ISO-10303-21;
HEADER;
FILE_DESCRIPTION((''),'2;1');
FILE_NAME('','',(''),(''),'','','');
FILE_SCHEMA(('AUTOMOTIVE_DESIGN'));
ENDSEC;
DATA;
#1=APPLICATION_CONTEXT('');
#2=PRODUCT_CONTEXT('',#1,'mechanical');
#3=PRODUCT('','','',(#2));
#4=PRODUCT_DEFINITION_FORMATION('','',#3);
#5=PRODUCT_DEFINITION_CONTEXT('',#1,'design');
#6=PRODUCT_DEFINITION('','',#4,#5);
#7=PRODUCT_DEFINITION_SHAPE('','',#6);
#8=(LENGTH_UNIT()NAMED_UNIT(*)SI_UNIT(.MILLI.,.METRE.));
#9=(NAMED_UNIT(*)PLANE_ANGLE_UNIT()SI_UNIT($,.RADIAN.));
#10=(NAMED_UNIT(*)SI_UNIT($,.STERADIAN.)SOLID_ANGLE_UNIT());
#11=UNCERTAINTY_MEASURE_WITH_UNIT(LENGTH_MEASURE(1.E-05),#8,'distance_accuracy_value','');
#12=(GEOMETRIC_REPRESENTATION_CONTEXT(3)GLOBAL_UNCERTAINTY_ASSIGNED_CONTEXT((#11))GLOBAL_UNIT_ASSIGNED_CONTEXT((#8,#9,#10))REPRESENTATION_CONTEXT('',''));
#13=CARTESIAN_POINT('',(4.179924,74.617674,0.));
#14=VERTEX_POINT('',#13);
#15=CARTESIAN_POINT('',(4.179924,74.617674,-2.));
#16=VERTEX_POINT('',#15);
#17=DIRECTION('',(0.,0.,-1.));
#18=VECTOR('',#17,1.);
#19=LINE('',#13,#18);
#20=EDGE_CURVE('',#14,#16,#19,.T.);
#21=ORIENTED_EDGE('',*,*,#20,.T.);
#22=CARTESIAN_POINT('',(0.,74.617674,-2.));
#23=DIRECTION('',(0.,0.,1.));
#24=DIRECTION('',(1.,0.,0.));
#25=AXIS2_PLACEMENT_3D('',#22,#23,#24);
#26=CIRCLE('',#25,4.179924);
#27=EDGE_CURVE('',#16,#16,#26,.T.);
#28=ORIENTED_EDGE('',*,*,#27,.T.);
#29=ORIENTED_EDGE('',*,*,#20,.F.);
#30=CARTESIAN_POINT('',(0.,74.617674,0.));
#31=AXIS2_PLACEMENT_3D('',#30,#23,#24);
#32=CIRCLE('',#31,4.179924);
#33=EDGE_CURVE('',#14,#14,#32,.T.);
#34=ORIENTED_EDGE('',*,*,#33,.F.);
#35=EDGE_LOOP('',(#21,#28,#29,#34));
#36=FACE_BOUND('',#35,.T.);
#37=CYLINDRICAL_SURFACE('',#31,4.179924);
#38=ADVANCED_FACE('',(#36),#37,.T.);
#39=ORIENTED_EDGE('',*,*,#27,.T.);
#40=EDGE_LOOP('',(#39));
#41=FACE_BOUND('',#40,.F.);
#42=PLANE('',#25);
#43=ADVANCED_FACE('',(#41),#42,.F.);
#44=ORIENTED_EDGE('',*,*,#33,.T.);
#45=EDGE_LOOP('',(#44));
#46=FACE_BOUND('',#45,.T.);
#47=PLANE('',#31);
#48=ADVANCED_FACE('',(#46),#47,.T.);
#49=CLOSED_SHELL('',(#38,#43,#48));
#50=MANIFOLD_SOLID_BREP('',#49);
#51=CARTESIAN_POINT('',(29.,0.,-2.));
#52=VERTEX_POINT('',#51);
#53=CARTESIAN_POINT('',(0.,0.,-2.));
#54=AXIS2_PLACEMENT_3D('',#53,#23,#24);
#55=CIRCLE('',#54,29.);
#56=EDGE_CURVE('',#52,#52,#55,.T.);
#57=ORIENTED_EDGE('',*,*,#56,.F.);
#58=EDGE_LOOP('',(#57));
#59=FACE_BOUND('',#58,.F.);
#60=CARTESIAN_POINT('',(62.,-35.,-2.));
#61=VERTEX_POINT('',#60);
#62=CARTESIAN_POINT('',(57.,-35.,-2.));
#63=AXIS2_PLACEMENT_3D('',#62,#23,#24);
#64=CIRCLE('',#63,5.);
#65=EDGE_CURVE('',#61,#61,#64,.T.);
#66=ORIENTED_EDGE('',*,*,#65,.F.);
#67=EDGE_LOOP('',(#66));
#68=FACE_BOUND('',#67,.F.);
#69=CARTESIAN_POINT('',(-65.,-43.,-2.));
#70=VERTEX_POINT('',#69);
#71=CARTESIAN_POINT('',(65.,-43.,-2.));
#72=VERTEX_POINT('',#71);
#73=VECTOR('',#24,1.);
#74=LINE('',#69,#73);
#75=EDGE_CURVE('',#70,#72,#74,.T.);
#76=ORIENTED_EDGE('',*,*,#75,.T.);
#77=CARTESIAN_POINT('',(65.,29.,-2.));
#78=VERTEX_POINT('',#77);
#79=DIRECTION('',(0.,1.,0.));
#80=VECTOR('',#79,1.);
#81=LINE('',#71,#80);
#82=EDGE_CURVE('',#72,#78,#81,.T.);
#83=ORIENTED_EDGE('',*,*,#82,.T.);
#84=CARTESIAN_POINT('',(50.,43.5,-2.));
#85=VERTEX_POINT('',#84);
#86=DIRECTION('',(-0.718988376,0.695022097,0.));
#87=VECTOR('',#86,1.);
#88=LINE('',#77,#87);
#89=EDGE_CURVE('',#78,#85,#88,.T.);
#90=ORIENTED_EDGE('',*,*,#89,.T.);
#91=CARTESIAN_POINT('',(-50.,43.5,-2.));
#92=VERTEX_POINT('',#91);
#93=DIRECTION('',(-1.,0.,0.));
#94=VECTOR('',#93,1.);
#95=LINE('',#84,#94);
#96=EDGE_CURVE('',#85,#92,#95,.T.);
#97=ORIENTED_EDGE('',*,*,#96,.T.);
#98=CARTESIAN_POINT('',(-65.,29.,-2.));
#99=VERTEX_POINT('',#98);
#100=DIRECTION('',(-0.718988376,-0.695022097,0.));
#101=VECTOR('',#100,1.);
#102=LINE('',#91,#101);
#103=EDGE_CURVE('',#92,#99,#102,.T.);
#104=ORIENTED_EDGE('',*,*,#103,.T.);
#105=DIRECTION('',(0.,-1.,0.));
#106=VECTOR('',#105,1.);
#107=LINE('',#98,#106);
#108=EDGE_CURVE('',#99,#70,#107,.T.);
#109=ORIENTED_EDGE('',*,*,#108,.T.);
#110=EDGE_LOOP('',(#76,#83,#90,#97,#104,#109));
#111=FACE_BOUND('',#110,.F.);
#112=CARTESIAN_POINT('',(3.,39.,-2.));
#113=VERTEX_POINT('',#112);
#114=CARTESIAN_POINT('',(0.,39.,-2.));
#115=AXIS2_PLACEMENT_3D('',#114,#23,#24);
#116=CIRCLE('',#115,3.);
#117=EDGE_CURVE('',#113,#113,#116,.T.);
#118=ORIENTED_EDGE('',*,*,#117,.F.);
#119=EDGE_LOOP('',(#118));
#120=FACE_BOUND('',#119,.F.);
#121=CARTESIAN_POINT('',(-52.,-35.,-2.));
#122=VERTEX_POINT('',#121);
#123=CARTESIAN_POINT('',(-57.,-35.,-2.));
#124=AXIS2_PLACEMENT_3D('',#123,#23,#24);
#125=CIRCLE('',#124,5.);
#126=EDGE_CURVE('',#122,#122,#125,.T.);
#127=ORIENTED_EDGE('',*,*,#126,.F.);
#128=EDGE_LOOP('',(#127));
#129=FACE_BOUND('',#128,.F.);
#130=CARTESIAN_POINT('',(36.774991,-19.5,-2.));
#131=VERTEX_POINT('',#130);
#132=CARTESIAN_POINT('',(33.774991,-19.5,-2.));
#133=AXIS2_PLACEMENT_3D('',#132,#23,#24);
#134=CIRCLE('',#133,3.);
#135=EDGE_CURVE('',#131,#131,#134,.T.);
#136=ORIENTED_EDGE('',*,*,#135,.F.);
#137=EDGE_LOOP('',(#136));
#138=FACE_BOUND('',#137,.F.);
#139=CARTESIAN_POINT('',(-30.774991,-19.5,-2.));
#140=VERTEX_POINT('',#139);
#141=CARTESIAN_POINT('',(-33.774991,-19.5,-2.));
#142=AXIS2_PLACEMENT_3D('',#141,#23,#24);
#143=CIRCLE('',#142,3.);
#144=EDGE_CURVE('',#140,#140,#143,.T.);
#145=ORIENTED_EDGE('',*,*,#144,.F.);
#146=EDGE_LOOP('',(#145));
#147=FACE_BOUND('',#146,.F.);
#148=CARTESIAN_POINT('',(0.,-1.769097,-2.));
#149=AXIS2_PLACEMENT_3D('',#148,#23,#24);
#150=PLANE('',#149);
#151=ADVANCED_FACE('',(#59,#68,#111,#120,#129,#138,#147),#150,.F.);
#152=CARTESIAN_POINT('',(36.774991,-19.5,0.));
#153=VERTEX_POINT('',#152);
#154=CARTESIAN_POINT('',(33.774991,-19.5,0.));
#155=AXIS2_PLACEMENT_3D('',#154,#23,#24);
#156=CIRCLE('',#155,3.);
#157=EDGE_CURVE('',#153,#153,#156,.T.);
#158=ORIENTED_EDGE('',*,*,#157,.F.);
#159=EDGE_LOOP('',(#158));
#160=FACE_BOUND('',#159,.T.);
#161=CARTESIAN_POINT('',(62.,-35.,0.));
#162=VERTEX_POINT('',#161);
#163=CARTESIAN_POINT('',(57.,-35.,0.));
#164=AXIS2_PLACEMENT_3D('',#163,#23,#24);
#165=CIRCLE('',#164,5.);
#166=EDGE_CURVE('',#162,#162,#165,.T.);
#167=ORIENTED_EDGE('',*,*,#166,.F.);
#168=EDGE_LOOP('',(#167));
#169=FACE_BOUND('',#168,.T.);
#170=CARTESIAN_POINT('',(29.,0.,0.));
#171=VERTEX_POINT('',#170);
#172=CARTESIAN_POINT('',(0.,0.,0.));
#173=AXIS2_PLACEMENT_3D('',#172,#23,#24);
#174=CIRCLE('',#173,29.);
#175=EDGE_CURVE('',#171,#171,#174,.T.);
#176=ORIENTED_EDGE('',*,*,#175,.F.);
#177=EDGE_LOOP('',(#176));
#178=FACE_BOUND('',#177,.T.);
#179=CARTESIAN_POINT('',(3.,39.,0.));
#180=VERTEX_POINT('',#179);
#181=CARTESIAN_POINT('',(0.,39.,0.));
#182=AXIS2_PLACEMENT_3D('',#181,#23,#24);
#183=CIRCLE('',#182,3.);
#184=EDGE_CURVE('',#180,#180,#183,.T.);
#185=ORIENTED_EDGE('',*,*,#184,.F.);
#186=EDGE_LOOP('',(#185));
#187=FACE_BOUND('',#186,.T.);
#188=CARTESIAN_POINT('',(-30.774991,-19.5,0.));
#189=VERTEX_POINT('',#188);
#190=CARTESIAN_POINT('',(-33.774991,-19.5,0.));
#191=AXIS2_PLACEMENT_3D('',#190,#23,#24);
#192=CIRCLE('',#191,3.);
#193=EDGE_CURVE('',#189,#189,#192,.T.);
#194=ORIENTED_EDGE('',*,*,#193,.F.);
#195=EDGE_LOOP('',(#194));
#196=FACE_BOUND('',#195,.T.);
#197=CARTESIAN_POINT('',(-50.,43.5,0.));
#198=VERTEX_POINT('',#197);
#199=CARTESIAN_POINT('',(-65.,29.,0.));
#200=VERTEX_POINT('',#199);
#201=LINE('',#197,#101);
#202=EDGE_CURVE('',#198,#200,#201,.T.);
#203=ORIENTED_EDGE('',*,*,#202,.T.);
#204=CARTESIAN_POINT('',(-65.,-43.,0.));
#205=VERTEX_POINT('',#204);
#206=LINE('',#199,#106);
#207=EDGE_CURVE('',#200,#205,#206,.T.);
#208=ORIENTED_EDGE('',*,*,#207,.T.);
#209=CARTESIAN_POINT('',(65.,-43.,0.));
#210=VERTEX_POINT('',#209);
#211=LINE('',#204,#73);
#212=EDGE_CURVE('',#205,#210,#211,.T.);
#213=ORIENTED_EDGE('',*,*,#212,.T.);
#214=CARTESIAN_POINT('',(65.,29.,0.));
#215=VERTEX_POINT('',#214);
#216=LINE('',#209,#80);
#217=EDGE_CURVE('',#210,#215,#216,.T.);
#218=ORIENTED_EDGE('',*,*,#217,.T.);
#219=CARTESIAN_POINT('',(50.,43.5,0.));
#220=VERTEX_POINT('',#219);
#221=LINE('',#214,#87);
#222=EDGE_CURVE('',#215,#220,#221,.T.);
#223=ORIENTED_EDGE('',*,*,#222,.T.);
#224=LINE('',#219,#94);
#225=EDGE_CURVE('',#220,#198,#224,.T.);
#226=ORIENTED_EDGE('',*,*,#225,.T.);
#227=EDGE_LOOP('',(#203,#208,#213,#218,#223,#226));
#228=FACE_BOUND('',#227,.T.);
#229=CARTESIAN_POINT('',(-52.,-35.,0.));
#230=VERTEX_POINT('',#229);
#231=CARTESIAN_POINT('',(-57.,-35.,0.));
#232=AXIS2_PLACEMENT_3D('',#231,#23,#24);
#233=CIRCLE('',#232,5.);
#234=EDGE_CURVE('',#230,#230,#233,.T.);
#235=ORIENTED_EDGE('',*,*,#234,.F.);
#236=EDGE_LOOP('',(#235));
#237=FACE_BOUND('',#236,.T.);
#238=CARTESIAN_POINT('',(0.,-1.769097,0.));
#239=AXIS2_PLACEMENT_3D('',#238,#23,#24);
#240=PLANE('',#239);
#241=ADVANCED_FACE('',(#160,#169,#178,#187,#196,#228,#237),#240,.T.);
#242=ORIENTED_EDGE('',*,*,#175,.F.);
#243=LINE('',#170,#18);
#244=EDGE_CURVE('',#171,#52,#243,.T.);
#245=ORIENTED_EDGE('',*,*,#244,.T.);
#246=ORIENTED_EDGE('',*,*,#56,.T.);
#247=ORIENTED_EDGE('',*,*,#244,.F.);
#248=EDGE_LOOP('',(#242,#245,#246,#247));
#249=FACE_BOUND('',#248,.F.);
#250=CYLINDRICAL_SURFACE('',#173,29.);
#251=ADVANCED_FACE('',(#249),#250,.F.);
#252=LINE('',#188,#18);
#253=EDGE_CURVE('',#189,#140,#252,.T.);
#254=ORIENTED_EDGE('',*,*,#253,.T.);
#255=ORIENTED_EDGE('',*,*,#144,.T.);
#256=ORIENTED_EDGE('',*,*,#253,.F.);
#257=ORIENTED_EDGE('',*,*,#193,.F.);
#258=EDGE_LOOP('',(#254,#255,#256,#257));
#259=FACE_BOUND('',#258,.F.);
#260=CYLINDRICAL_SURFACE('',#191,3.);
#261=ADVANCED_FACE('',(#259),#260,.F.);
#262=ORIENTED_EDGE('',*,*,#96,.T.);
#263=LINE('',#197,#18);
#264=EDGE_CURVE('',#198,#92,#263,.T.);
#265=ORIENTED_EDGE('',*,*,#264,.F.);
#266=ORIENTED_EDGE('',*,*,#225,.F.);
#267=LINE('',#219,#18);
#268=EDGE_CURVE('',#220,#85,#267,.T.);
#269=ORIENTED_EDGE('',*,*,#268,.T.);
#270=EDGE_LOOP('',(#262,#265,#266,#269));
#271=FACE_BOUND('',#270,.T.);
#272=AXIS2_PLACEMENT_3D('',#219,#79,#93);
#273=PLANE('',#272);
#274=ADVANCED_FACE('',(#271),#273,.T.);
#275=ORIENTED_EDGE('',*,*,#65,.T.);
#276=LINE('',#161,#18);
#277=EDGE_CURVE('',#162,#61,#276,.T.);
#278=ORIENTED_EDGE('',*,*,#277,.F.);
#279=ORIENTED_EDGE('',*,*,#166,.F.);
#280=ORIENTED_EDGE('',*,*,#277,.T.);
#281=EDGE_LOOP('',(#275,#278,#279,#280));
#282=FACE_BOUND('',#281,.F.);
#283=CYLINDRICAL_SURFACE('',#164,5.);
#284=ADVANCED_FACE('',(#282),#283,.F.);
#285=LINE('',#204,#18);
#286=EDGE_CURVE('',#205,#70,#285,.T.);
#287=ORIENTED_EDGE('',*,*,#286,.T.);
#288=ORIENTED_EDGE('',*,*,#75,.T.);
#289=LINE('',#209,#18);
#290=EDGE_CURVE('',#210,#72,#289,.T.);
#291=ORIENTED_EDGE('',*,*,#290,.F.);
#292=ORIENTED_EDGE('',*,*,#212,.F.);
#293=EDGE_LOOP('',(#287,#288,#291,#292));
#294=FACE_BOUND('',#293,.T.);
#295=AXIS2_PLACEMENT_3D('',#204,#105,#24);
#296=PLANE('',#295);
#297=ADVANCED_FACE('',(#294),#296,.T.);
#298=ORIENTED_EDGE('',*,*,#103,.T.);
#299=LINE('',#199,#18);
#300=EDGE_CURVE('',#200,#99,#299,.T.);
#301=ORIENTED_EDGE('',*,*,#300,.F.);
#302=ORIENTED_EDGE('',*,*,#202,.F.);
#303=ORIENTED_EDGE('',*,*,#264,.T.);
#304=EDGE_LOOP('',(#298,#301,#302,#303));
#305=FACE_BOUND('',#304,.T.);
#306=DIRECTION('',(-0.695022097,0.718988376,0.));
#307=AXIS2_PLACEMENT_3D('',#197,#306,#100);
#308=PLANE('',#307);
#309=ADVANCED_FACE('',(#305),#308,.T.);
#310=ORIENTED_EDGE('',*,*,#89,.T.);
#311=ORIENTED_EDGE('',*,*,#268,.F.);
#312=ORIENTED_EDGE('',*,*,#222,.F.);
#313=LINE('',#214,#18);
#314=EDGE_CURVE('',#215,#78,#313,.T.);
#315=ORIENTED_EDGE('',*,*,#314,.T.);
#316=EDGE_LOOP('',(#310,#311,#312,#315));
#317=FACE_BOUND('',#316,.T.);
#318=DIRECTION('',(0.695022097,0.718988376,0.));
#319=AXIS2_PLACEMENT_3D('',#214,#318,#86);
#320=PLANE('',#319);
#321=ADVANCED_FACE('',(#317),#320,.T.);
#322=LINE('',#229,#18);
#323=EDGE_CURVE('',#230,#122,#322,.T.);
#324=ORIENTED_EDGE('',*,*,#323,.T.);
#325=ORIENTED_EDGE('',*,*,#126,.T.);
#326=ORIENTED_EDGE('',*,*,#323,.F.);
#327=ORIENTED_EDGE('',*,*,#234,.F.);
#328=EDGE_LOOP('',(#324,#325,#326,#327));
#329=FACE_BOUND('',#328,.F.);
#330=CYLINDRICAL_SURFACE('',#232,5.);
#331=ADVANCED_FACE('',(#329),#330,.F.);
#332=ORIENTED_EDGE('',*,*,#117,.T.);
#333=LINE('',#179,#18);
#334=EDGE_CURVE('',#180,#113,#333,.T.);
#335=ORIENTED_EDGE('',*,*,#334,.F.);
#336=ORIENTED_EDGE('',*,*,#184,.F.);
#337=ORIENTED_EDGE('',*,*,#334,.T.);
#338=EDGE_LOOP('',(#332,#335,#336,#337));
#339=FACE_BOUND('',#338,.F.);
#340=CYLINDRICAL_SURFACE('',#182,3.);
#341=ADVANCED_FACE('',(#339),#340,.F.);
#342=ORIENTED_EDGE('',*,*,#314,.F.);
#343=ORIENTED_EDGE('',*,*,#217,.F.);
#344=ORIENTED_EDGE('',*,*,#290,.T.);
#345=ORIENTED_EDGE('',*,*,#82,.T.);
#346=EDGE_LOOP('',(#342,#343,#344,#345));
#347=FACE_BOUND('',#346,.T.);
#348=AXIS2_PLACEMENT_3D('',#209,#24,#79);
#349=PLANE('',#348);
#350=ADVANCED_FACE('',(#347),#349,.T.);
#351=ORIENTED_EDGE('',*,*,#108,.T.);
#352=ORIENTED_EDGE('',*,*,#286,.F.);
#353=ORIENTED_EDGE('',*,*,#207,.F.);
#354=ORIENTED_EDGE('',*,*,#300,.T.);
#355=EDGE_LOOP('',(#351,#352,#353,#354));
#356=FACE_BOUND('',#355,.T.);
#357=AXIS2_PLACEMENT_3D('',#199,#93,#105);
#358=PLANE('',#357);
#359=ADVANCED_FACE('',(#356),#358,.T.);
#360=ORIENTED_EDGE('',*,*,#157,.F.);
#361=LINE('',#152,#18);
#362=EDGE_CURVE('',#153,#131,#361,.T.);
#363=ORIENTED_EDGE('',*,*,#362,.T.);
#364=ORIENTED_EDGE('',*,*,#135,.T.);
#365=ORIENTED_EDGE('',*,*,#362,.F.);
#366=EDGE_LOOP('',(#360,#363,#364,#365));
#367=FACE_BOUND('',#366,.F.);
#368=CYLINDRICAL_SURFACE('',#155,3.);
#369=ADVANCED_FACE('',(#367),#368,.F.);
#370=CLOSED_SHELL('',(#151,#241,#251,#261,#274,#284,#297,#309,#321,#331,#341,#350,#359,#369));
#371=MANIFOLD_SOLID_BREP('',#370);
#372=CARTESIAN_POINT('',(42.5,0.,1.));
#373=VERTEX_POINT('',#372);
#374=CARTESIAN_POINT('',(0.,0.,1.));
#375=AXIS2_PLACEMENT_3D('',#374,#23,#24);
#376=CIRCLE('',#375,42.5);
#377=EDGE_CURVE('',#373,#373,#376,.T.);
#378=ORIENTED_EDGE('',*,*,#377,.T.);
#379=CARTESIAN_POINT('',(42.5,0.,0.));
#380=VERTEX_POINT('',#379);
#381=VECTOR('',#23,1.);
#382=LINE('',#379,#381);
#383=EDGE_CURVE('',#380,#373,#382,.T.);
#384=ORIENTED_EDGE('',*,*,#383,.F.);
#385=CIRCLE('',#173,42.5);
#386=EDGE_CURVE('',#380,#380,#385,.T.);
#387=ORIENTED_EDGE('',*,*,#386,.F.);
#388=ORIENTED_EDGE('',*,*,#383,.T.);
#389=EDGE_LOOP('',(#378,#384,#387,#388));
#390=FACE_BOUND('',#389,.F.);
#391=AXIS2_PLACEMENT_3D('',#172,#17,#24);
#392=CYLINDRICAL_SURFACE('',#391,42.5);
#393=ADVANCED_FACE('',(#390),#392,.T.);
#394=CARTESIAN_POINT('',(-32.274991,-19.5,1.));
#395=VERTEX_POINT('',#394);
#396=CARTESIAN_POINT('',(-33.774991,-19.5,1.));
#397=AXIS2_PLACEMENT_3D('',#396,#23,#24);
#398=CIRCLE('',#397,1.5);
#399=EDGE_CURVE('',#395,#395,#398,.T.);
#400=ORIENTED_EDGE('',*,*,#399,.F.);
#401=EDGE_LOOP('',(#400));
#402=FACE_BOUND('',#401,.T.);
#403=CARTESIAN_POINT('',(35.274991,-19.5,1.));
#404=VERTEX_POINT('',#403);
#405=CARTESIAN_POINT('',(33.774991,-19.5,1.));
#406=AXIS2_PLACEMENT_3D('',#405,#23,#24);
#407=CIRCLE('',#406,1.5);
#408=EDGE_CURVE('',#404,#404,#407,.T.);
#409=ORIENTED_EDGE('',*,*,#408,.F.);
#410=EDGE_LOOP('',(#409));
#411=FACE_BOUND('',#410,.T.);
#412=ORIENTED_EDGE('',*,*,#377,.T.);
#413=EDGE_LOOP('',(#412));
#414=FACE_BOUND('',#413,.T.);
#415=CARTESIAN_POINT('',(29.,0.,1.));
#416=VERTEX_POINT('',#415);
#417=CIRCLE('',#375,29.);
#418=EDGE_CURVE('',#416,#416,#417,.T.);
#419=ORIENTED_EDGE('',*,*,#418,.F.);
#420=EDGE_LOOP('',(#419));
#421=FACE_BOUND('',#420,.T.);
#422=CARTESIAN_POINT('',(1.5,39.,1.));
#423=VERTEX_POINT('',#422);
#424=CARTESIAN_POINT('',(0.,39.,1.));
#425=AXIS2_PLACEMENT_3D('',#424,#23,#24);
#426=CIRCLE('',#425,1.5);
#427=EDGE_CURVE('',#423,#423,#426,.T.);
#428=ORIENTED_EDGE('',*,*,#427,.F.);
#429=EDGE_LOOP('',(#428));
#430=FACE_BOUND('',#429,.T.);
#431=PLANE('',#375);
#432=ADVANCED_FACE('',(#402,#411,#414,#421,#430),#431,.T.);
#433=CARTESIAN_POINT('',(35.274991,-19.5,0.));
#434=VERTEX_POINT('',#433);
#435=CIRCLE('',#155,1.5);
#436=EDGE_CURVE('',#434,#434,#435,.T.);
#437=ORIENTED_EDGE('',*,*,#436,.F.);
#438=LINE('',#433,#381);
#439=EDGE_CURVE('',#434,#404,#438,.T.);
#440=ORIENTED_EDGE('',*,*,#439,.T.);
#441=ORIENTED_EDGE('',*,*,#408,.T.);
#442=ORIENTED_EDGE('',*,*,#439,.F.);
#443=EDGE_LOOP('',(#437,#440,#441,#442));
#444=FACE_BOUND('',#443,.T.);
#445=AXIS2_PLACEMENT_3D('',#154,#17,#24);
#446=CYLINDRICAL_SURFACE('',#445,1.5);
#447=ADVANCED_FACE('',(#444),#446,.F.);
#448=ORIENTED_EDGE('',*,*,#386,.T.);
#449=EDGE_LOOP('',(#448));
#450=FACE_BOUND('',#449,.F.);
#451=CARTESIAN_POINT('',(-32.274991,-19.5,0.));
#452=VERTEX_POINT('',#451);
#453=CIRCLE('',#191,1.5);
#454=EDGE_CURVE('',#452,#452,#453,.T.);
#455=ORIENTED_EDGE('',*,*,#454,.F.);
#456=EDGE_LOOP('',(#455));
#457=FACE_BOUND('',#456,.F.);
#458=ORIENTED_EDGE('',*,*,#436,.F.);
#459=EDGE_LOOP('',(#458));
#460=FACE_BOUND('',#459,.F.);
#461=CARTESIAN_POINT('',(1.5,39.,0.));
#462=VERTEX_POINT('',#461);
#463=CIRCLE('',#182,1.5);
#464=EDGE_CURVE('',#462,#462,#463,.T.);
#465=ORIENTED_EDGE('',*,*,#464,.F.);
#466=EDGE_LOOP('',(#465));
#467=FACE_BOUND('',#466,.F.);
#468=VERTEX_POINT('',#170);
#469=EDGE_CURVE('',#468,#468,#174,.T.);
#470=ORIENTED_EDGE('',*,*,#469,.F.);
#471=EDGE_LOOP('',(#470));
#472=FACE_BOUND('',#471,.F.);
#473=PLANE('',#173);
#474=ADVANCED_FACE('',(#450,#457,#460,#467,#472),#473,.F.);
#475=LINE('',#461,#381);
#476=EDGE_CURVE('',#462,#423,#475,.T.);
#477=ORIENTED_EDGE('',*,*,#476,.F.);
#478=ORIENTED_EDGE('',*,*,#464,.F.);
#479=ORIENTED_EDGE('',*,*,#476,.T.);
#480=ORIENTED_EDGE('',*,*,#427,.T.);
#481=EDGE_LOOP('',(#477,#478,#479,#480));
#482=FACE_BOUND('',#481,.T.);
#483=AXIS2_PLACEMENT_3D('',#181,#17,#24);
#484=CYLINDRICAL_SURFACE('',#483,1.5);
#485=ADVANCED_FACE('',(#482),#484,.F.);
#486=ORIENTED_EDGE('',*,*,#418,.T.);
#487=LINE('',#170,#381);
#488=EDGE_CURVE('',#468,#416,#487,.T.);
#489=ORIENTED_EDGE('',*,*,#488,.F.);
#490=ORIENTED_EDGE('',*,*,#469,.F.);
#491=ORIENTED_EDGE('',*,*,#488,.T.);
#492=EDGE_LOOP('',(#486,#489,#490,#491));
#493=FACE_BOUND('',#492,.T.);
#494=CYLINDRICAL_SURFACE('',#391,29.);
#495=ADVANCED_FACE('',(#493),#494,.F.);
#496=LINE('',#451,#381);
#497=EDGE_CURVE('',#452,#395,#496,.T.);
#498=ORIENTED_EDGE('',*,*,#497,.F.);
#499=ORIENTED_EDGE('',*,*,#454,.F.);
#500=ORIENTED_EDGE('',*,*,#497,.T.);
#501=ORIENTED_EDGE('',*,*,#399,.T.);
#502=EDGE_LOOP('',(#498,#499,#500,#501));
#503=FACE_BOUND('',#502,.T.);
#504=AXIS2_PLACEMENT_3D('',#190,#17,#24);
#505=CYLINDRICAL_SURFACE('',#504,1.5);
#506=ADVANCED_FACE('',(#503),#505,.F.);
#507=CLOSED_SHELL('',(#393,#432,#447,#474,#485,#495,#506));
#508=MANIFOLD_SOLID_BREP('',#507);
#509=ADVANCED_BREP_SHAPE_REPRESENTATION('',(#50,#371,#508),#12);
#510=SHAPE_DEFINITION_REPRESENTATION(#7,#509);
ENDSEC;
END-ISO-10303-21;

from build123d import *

# Parameters (mm, degrees)
F0_R     = 5
F0_R_2   = 3
F0_R_3   = 29
F0_R_4   = 4.179924
F1_DEPTH = 2
F2_R     = 42.5
F2_R_2   = 1.5
F2_R_3   = 29
F3_DEPTH = 1


with BuildPart() as f1:
    # F0 (on Top) → F1 (new body)
    with BuildSketch(Plane.XY):
        Polygon((-65, 29), (-65, -43), (65, -43), (65, 29), (50, 43.5), (-50, 43.5), align=None)
        with Locations((-57, -35)):
            Circle(F0_R, mode=Mode.SUBTRACT)
        with Locations((-33.774991, -19.5)):
            Circle(F0_R_2, mode=Mode.SUBTRACT)
        with Locations((57, -35)):
            Circle(F0_R, mode=Mode.SUBTRACT)
        with Locations((33.774991, -19.5)):
            Circle(F0_R_2, mode=Mode.SUBTRACT)
        Circle(F0_R_3, mode=Mode.SUBTRACT)
        with Locations((0, 39)):
            Circle(F0_R_2, mode=Mode.SUBTRACT)
        with Locations((0, 74.617674)):
            Circle(F0_R_4)
    extrude(amount=-F1_DEPTH)


with BuildPart() as f3:
    # F2 (on face) → F3 (new body)
    with BuildSketch(Plane.XY):
        Circle(F2_R)
        with Locations((-33.774991, -19.5)):
            Circle(F2_R_2, mode=Mode.SUBTRACT)
        with Locations((33.774991, -19.5)):
            Circle(F2_R_2, mode=Mode.SUBTRACT)
        Circle(F2_R_3, mode=Mode.SUBTRACT)
        with Locations((0, 39)):
            Circle(F2_R_2, mode=Mode.SUBTRACT)
    extrude(amount=F3_DEPTH)


solid = Compound([f1.part, f3.part])
